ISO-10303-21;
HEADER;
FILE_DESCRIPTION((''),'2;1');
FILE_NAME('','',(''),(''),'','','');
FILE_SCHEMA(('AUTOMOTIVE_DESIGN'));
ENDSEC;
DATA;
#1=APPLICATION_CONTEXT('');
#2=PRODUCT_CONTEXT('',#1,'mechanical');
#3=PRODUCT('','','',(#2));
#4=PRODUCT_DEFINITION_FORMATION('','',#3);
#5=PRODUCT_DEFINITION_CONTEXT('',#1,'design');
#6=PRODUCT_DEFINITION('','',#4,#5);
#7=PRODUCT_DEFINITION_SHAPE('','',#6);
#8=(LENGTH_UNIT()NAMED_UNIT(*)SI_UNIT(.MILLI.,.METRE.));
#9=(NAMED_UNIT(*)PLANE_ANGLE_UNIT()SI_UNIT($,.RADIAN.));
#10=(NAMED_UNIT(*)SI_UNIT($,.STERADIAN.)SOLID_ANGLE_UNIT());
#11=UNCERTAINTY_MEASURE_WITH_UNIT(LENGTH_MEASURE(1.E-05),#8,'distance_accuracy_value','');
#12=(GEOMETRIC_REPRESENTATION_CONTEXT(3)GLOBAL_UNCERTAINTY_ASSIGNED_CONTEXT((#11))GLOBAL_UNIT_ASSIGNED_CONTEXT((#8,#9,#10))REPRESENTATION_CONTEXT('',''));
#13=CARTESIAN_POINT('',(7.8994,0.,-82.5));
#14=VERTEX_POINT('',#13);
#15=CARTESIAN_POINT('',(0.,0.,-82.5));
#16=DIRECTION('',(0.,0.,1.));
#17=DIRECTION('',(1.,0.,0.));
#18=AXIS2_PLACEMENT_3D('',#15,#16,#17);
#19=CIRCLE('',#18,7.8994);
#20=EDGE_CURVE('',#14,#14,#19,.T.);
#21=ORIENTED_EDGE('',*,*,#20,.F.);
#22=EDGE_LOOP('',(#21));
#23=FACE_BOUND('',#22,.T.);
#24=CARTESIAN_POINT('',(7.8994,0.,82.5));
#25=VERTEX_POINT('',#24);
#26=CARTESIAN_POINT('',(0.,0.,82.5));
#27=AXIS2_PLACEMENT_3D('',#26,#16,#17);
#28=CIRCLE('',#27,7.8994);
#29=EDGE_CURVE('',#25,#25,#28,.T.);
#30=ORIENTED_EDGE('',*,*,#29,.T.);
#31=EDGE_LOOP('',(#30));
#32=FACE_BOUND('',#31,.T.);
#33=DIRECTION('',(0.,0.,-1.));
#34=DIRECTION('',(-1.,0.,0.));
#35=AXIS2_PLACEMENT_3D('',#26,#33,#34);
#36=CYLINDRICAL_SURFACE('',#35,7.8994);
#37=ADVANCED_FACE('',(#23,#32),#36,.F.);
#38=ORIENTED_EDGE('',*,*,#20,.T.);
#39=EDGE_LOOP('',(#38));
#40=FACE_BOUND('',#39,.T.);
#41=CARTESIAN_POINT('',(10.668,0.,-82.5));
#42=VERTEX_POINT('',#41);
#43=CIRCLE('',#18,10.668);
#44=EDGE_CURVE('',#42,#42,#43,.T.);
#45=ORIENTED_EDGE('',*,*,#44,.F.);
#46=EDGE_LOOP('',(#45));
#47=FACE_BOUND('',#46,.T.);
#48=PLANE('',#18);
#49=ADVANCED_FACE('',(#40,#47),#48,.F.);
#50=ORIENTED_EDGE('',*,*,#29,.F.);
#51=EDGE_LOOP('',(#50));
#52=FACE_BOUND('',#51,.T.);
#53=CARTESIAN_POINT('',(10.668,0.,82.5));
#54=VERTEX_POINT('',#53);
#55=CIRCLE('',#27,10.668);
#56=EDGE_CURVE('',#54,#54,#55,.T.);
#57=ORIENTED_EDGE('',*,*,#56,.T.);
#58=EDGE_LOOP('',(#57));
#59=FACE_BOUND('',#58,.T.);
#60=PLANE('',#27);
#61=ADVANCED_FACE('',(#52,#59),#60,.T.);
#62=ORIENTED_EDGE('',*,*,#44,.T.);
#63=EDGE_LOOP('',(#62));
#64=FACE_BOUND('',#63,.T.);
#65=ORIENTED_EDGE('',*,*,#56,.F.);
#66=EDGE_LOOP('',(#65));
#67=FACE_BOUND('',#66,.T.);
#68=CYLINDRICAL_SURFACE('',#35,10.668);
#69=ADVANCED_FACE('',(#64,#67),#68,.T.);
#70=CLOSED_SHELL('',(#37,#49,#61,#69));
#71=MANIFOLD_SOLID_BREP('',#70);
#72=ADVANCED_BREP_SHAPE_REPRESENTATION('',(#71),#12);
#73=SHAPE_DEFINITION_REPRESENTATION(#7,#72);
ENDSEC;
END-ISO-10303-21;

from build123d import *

# Parameters (mm, degrees)
SKETCH1_R           = 10.668
SKETCH1_R_2         = 7.8994
EXTRUDE_THIN1_DEPTH = 82.5


with BuildPart() as part:
    # Sketch1 → Extrude-Thin1 (new, symmetric)
    with BuildSketch(Plane.XY):
        Circle(SKETCH1_R)
        Circle(SKETCH1_R_2, mode=Mode.SUBTRACT)
    extrude(amount=EXTRUDE_THIN1_DEPTH, both=True)


solid = part.part
